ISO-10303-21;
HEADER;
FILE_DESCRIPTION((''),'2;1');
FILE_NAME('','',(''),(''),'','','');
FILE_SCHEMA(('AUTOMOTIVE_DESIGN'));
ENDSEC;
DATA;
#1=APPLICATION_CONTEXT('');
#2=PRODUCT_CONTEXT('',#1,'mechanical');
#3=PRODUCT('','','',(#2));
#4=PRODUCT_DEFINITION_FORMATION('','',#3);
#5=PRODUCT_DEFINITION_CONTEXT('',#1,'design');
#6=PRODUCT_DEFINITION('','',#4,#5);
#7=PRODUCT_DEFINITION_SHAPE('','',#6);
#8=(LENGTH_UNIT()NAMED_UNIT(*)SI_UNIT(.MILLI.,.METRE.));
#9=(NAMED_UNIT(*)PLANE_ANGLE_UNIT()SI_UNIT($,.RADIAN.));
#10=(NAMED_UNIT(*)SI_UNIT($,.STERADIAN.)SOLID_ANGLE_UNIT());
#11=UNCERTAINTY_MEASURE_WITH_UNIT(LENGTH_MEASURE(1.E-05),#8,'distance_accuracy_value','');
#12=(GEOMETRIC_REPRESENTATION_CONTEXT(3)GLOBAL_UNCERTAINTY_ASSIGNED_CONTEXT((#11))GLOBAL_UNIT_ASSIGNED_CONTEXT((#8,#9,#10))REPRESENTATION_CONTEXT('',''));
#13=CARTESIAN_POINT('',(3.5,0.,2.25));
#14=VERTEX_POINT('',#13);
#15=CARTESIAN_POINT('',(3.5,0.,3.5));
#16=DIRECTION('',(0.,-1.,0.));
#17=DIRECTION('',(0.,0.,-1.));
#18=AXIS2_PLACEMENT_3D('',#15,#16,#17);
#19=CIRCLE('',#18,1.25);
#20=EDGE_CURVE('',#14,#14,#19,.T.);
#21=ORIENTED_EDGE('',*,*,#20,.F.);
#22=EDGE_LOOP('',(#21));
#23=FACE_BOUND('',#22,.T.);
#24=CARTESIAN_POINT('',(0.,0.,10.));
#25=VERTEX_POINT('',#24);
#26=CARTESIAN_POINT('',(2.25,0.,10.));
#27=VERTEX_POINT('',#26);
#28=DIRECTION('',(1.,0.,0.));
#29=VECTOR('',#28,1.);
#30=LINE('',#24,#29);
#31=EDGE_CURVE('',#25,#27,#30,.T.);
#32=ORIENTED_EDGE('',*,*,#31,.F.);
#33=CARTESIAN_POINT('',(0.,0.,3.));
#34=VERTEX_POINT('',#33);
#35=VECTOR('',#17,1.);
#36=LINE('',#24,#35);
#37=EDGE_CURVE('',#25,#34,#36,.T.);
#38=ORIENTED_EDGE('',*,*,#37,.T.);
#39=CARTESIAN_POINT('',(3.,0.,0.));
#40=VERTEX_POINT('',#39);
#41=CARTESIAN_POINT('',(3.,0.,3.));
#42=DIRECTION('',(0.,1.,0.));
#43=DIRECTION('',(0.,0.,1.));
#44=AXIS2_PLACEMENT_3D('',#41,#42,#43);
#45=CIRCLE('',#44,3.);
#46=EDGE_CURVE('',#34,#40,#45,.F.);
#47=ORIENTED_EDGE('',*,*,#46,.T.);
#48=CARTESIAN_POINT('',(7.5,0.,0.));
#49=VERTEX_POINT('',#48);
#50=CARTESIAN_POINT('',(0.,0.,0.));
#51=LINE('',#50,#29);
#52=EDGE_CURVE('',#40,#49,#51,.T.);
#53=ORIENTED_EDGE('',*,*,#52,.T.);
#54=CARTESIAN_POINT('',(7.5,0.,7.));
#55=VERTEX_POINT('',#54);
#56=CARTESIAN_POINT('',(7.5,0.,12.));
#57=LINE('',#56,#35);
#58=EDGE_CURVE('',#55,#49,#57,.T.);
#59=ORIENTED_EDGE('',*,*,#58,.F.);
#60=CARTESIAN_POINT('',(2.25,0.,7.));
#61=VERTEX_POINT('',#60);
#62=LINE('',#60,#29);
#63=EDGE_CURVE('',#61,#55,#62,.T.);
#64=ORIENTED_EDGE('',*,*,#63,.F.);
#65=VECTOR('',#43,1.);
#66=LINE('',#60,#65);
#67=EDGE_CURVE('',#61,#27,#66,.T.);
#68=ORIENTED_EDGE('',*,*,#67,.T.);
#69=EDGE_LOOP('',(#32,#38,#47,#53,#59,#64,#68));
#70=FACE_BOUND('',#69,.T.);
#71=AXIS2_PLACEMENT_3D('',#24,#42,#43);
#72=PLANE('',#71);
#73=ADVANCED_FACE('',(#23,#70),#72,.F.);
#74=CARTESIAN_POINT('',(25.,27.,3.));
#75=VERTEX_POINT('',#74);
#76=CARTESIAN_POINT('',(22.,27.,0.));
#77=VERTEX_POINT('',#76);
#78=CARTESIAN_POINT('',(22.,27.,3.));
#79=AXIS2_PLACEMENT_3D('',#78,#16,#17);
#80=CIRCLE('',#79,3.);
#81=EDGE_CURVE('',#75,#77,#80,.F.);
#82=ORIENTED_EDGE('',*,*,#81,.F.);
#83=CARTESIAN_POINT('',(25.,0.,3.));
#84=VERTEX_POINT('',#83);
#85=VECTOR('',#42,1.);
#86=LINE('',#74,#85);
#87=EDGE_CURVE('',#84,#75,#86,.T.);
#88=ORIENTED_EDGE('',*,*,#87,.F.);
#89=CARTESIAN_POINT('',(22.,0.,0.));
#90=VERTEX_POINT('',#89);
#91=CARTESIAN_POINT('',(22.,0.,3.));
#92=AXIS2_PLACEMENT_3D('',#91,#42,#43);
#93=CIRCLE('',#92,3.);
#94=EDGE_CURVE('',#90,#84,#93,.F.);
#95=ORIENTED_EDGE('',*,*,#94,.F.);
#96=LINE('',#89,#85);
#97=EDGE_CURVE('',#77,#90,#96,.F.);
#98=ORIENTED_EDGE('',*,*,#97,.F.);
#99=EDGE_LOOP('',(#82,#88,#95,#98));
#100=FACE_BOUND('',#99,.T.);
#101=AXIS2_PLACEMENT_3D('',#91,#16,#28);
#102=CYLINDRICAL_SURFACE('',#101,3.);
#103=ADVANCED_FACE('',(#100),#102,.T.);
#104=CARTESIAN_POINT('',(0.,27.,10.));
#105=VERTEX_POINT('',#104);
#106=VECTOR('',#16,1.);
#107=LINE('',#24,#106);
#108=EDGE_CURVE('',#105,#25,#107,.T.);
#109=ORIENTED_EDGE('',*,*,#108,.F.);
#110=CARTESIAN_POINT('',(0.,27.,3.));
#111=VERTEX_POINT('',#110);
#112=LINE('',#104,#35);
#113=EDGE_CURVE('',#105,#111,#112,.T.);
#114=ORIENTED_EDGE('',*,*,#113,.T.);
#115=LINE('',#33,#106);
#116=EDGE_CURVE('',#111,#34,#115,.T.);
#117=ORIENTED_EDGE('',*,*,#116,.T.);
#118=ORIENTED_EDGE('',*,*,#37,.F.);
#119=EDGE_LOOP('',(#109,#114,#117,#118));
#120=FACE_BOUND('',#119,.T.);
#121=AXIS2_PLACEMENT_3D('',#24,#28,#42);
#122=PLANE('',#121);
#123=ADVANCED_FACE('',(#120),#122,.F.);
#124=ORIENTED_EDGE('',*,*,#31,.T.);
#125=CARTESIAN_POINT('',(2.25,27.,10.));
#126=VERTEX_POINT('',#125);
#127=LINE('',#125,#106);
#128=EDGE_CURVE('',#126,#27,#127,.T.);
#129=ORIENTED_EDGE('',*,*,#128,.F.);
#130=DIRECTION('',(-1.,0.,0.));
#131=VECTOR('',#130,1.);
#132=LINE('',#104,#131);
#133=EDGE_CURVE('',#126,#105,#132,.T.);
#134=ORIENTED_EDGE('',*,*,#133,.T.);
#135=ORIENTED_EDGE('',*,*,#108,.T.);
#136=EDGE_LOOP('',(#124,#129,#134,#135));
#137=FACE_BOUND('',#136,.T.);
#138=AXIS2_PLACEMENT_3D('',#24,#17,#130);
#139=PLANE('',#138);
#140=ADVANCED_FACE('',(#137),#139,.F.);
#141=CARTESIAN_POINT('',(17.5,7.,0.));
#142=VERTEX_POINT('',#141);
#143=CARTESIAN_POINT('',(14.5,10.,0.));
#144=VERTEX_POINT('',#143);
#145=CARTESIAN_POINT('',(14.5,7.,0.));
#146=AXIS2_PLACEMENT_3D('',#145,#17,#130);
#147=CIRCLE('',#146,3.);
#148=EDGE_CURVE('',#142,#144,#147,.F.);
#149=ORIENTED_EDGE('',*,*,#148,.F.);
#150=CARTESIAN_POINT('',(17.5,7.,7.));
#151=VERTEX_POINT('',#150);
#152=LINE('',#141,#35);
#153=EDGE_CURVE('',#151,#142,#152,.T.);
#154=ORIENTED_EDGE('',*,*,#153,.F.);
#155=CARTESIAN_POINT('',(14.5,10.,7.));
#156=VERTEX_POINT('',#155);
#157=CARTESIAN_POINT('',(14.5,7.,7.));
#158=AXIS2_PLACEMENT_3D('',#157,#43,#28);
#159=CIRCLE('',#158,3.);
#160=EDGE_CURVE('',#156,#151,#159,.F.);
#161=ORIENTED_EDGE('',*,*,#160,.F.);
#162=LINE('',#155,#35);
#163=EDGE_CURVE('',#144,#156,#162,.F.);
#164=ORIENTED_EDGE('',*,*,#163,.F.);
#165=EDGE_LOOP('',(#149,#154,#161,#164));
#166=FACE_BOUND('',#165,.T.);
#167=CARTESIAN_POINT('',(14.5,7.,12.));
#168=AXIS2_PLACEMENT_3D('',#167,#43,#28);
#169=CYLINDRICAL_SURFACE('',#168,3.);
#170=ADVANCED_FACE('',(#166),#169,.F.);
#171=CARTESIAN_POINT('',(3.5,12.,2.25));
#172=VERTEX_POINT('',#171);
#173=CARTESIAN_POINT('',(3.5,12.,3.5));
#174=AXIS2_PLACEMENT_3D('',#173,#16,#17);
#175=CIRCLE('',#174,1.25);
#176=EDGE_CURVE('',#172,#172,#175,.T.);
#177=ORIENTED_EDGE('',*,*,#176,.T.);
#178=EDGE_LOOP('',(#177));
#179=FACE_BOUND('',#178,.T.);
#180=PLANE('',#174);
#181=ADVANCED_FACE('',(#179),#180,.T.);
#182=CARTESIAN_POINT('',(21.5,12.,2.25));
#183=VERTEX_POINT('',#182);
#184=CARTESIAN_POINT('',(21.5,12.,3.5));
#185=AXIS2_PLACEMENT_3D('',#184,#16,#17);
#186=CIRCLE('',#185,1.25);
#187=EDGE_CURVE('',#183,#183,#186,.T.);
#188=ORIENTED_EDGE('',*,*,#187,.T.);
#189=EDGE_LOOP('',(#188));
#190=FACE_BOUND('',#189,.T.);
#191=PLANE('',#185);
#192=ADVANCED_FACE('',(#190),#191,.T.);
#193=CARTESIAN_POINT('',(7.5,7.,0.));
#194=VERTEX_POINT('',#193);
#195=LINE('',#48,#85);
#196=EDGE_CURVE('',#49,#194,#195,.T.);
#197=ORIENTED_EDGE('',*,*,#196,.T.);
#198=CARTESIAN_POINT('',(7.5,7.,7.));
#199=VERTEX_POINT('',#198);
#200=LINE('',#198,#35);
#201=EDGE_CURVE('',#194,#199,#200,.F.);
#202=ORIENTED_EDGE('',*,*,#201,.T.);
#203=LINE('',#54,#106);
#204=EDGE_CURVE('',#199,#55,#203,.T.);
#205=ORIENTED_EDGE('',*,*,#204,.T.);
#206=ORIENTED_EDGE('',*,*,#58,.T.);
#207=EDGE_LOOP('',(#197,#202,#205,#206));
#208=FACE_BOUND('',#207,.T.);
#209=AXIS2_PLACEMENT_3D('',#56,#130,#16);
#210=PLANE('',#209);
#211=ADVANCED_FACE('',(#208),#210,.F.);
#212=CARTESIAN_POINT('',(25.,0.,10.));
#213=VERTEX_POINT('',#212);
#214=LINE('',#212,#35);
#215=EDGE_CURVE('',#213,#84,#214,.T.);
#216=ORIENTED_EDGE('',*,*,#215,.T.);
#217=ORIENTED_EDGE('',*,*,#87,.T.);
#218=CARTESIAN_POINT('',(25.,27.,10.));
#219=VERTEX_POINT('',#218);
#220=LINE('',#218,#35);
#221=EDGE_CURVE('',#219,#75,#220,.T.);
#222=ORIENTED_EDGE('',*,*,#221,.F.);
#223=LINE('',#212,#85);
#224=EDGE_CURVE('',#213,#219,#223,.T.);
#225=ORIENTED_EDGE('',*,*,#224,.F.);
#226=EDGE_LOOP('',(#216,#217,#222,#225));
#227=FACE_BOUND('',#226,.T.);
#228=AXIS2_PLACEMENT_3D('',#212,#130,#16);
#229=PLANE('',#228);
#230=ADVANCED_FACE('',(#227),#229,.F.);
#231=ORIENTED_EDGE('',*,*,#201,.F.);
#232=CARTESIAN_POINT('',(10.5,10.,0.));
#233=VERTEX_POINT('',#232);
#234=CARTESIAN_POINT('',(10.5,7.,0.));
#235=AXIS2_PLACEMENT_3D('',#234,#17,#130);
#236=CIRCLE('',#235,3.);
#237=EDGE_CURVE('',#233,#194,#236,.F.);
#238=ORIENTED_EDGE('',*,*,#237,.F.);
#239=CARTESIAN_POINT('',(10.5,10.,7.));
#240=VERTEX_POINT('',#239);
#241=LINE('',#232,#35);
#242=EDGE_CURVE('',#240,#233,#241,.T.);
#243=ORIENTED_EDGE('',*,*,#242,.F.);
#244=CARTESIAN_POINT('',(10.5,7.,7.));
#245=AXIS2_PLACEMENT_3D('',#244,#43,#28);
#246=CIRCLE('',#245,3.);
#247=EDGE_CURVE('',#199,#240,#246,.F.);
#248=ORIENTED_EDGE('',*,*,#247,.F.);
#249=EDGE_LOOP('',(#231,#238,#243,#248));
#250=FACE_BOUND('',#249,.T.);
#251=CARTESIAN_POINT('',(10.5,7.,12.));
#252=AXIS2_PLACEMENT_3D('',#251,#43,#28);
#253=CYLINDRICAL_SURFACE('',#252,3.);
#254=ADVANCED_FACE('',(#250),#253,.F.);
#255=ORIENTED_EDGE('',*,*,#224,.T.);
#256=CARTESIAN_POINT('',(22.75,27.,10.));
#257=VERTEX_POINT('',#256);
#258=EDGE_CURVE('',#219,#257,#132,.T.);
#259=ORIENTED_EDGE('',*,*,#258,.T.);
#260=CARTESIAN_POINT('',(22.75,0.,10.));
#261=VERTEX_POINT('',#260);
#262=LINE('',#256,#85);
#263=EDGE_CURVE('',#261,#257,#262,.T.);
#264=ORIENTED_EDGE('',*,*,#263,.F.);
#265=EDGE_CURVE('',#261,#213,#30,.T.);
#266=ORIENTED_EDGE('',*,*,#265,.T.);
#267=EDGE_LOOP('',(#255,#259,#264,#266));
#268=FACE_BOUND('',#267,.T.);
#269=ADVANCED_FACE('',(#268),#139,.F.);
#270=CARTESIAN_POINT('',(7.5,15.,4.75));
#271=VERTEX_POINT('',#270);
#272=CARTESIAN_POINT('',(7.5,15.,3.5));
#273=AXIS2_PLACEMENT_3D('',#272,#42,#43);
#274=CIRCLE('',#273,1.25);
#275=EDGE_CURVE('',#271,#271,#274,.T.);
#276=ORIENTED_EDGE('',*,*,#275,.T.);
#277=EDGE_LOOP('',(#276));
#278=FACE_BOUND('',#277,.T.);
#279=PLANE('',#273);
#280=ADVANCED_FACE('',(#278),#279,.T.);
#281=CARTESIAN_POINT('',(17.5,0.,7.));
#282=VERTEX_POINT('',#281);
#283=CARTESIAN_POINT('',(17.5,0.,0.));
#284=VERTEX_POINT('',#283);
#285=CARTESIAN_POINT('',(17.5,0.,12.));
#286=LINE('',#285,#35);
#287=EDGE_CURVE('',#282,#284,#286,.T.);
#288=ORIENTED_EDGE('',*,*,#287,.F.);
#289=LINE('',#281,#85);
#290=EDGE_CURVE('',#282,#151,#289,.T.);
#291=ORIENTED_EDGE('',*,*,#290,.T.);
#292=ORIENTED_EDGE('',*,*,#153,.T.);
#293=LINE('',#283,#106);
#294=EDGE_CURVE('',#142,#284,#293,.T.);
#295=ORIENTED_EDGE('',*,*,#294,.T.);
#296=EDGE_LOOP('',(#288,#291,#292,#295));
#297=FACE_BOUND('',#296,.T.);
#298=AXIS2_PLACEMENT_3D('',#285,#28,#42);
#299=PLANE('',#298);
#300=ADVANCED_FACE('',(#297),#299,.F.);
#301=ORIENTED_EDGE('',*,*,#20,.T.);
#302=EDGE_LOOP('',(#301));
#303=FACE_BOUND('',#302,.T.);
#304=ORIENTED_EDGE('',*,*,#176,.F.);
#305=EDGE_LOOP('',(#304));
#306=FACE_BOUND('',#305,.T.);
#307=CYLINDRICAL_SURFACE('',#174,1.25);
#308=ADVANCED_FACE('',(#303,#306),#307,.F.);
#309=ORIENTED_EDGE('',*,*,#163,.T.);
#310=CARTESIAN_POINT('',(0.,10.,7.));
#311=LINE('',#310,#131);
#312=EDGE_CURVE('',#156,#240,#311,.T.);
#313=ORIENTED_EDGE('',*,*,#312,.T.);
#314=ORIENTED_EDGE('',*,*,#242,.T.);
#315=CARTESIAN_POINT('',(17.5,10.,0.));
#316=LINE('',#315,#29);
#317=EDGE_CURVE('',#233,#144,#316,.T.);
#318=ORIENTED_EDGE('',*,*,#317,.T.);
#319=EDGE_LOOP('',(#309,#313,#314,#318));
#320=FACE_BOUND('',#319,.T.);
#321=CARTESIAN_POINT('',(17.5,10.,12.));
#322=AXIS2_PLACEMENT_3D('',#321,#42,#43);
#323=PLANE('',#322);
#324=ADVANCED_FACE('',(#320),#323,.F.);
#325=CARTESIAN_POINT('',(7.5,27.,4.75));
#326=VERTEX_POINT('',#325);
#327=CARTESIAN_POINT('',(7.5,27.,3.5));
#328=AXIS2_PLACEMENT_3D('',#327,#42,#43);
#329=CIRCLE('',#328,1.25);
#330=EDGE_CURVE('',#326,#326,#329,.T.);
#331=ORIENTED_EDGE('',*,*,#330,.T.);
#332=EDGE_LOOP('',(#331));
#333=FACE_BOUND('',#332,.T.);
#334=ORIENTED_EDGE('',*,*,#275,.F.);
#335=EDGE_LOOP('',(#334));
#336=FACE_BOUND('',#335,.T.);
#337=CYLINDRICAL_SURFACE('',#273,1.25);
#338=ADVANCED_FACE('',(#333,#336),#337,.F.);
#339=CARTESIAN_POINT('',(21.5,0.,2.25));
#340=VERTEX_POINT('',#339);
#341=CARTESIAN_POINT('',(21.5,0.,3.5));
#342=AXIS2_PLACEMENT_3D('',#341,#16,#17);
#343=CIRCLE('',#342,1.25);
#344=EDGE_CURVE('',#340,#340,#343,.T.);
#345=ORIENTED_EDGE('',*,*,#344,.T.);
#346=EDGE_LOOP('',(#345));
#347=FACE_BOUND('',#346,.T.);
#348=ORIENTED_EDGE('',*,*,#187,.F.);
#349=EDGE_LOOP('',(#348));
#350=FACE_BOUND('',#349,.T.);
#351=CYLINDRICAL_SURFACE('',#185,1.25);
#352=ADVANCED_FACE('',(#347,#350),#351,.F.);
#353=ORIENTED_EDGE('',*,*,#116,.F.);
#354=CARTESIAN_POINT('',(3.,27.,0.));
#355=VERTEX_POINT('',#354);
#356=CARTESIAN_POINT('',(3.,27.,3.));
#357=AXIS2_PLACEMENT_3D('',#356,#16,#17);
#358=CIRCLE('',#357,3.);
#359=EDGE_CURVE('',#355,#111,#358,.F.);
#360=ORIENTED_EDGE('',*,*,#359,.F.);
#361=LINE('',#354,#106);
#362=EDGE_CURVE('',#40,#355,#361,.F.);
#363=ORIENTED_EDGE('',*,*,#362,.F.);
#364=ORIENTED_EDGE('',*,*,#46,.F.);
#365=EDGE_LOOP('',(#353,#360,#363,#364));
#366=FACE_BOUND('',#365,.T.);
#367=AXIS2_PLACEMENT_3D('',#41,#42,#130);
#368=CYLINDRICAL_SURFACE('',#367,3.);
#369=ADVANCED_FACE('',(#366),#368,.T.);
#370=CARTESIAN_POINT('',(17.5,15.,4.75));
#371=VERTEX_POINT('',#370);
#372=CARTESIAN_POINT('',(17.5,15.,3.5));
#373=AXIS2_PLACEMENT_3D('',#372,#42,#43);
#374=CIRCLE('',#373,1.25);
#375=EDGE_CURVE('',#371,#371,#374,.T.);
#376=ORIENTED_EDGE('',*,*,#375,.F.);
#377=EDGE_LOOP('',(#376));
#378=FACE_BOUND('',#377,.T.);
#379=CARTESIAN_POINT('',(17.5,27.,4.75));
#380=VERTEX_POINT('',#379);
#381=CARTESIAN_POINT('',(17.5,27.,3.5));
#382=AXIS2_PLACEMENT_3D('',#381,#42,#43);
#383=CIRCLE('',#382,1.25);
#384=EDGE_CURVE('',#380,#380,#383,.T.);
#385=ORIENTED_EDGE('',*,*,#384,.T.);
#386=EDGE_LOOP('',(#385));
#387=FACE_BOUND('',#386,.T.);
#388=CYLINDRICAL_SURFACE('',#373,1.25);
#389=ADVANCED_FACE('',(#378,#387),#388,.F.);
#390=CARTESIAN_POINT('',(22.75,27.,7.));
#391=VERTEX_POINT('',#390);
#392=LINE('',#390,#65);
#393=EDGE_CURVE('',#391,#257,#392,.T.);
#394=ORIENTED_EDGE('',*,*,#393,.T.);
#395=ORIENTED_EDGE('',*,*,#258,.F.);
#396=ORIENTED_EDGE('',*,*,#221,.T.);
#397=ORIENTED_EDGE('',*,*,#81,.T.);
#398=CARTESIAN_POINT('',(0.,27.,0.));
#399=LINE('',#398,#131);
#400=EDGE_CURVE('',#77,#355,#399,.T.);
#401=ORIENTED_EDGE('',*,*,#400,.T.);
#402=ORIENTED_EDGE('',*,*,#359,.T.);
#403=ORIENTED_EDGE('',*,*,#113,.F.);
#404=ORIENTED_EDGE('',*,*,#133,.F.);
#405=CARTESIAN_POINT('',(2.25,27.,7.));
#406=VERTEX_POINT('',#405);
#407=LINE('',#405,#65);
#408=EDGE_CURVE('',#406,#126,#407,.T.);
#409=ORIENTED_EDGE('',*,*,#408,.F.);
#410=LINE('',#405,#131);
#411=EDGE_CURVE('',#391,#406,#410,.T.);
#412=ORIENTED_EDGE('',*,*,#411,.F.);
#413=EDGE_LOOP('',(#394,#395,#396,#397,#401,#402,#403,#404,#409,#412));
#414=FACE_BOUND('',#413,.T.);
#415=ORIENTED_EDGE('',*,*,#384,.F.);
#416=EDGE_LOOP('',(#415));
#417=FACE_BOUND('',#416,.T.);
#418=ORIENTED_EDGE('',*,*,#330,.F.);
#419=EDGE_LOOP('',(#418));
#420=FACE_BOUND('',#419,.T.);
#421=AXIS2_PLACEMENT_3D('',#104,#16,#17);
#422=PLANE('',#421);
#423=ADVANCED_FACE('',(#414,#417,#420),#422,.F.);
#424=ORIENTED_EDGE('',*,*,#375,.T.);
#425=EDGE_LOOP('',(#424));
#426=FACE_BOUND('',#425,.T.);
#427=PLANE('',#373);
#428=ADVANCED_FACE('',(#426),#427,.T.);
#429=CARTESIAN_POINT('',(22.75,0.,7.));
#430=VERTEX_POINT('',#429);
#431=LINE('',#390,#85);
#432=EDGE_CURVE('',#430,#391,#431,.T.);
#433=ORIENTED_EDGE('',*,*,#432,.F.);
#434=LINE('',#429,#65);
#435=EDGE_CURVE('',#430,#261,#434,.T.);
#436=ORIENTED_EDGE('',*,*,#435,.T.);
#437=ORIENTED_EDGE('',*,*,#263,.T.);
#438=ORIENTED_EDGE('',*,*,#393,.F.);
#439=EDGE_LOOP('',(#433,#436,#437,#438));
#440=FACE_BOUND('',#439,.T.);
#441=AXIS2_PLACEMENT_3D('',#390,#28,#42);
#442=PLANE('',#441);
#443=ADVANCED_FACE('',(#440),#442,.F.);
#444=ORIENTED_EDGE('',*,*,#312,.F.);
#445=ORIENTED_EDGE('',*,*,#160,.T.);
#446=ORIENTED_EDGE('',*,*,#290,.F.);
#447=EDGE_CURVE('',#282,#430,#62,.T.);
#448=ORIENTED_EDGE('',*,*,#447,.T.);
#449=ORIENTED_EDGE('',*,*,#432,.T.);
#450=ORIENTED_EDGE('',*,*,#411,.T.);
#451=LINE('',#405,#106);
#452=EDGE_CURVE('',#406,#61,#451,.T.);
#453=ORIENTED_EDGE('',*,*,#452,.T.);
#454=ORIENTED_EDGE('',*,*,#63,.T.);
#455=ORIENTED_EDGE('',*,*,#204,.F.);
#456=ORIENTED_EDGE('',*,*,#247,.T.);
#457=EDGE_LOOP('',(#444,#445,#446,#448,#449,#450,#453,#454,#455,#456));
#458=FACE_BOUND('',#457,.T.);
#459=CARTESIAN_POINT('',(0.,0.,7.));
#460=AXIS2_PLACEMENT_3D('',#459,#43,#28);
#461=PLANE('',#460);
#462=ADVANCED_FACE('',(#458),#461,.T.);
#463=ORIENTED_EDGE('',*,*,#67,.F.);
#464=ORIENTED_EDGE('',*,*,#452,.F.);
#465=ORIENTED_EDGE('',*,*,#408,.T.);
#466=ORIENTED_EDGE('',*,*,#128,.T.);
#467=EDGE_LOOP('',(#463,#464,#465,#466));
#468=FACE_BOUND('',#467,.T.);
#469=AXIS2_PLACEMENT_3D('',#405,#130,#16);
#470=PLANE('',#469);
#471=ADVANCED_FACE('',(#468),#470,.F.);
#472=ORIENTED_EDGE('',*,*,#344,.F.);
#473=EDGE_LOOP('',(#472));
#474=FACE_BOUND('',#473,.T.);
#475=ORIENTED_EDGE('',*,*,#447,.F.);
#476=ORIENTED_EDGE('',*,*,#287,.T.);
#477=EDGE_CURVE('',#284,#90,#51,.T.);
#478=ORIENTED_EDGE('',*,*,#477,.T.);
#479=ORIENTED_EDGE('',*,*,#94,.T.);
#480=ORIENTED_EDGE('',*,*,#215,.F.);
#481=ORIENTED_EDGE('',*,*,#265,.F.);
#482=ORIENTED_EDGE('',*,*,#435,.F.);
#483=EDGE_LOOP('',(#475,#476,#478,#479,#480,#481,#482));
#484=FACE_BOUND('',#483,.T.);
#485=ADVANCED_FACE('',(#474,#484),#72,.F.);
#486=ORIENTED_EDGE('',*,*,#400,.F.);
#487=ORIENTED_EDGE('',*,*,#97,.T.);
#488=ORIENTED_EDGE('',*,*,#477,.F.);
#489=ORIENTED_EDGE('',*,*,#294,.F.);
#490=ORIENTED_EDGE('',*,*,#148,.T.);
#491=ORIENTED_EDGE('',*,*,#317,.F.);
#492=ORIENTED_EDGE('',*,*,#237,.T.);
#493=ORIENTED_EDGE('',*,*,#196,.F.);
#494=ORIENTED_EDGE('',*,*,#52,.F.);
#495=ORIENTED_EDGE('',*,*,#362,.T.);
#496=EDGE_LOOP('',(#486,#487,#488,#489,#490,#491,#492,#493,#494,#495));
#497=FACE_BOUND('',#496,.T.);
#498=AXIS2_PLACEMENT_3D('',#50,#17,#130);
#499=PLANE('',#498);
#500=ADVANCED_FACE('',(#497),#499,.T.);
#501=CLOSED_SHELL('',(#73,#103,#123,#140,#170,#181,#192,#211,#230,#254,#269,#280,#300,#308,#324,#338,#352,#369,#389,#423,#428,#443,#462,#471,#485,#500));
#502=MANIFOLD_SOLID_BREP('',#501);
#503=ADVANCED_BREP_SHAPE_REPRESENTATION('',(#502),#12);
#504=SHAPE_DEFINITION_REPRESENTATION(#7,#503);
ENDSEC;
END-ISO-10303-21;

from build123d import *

# Parameters (mm, degrees)
SKETCH_1_W          = 25
SKETCH_1_H          = 27
EXTRUDE_1_DEPTH     = 10
SKETCH_2_W          = 20.5
SKETCH_2_H          = 27
CUT_EXTRUDE_1_DEPTH = 3
SKETCH_3_R          = 1.25
CUT_EXTRUDE_2_DEPTH = 12
SKETCH_4_R          = 1.25
CUT_EXTRUDE_3_DEPTH = 12
SKETCH_5_W          = 10
SKETCH_5_H          = 10
CUT_EXTRUDE_4_DEPTH = 12
FILLET_1_R          = 3


with BuildPart() as part:
    # 스케치1 → 보스-돌출1 (new body)
    with BuildSketch(Plane.XY):
        with Locations((12.5, 13.5)):
            Rectangle(SKETCH_1_W, SKETCH_1_H)
    extrude(amount=EXTRUDE_1_DEPTH)

    # 스케치2 → 컷-돌출1 (cut)
    with BuildSketch(Plane.XY.offset(10)):
        with Locations((12.5, 13.5)):
            Rectangle(SKETCH_2_W, SKETCH_2_H)
    extrude(amount=-CUT_EXTRUDE_1_DEPTH, mode=Mode.SUBTRACT)

    # 스케치3 → 컷-돌출2 (cut)
    with BuildSketch(Plane(origin=(0, 27, 0), x_dir=(1, 0, 0), z_dir=(0, 1, 0))):
        with Locations(Location((7.5, -3.5, 0), (0, 0, 270))):
            Circle(SKETCH_3_R)
        with Locations(Location((17.5, -3.5, 0), (0, 0, 270))):
            Circle(SKETCH_3_R)
    extrude(amount=-CUT_EXTRUDE_2_DEPTH, mode=Mode.SUBTRACT)

    # 스케치4 → 컷-돌출3 (cut)
    with BuildSketch(Plane.XZ):
        with Locations(Location((3.5, 3.5, 0), (0, 0, 270))):
            Circle(SKETCH_4_R)
        with Locations(Location((21.5, 3.5, 0), (0, 0, 270))):
            Circle(SKETCH_4_R)
    extrude(amount=-CUT_EXTRUDE_3_DEPTH, mode=Mode.SUBTRACT)

    # 스케치5 → 컷-돌출4 (cut)
    with BuildSketch(Plane(origin=(0, 0, 0), x_dir=(-1, 0, 0), z_dir=(0, 0, -1))):
        with Locations((-12.5, 5)):
            Rectangle(SKETCH_5_W, SKETCH_5_H)
    extrude(amount=-CUT_EXTRUDE_4_DEPTH, mode=Mode.SUBTRACT)

    # 필렛1
    fillet_1_edges = [part.edges().sort_by_distance(p)[0] for p in [
        (25, 13.5, 0),
        (17.5, 10, 3.5),
        (7.5, 10, 3.5),
        (0, 13.5, 0),
    ]]
    fillet(fillet_1_edges, radius=FILLET_1_R)


solid = part.part
